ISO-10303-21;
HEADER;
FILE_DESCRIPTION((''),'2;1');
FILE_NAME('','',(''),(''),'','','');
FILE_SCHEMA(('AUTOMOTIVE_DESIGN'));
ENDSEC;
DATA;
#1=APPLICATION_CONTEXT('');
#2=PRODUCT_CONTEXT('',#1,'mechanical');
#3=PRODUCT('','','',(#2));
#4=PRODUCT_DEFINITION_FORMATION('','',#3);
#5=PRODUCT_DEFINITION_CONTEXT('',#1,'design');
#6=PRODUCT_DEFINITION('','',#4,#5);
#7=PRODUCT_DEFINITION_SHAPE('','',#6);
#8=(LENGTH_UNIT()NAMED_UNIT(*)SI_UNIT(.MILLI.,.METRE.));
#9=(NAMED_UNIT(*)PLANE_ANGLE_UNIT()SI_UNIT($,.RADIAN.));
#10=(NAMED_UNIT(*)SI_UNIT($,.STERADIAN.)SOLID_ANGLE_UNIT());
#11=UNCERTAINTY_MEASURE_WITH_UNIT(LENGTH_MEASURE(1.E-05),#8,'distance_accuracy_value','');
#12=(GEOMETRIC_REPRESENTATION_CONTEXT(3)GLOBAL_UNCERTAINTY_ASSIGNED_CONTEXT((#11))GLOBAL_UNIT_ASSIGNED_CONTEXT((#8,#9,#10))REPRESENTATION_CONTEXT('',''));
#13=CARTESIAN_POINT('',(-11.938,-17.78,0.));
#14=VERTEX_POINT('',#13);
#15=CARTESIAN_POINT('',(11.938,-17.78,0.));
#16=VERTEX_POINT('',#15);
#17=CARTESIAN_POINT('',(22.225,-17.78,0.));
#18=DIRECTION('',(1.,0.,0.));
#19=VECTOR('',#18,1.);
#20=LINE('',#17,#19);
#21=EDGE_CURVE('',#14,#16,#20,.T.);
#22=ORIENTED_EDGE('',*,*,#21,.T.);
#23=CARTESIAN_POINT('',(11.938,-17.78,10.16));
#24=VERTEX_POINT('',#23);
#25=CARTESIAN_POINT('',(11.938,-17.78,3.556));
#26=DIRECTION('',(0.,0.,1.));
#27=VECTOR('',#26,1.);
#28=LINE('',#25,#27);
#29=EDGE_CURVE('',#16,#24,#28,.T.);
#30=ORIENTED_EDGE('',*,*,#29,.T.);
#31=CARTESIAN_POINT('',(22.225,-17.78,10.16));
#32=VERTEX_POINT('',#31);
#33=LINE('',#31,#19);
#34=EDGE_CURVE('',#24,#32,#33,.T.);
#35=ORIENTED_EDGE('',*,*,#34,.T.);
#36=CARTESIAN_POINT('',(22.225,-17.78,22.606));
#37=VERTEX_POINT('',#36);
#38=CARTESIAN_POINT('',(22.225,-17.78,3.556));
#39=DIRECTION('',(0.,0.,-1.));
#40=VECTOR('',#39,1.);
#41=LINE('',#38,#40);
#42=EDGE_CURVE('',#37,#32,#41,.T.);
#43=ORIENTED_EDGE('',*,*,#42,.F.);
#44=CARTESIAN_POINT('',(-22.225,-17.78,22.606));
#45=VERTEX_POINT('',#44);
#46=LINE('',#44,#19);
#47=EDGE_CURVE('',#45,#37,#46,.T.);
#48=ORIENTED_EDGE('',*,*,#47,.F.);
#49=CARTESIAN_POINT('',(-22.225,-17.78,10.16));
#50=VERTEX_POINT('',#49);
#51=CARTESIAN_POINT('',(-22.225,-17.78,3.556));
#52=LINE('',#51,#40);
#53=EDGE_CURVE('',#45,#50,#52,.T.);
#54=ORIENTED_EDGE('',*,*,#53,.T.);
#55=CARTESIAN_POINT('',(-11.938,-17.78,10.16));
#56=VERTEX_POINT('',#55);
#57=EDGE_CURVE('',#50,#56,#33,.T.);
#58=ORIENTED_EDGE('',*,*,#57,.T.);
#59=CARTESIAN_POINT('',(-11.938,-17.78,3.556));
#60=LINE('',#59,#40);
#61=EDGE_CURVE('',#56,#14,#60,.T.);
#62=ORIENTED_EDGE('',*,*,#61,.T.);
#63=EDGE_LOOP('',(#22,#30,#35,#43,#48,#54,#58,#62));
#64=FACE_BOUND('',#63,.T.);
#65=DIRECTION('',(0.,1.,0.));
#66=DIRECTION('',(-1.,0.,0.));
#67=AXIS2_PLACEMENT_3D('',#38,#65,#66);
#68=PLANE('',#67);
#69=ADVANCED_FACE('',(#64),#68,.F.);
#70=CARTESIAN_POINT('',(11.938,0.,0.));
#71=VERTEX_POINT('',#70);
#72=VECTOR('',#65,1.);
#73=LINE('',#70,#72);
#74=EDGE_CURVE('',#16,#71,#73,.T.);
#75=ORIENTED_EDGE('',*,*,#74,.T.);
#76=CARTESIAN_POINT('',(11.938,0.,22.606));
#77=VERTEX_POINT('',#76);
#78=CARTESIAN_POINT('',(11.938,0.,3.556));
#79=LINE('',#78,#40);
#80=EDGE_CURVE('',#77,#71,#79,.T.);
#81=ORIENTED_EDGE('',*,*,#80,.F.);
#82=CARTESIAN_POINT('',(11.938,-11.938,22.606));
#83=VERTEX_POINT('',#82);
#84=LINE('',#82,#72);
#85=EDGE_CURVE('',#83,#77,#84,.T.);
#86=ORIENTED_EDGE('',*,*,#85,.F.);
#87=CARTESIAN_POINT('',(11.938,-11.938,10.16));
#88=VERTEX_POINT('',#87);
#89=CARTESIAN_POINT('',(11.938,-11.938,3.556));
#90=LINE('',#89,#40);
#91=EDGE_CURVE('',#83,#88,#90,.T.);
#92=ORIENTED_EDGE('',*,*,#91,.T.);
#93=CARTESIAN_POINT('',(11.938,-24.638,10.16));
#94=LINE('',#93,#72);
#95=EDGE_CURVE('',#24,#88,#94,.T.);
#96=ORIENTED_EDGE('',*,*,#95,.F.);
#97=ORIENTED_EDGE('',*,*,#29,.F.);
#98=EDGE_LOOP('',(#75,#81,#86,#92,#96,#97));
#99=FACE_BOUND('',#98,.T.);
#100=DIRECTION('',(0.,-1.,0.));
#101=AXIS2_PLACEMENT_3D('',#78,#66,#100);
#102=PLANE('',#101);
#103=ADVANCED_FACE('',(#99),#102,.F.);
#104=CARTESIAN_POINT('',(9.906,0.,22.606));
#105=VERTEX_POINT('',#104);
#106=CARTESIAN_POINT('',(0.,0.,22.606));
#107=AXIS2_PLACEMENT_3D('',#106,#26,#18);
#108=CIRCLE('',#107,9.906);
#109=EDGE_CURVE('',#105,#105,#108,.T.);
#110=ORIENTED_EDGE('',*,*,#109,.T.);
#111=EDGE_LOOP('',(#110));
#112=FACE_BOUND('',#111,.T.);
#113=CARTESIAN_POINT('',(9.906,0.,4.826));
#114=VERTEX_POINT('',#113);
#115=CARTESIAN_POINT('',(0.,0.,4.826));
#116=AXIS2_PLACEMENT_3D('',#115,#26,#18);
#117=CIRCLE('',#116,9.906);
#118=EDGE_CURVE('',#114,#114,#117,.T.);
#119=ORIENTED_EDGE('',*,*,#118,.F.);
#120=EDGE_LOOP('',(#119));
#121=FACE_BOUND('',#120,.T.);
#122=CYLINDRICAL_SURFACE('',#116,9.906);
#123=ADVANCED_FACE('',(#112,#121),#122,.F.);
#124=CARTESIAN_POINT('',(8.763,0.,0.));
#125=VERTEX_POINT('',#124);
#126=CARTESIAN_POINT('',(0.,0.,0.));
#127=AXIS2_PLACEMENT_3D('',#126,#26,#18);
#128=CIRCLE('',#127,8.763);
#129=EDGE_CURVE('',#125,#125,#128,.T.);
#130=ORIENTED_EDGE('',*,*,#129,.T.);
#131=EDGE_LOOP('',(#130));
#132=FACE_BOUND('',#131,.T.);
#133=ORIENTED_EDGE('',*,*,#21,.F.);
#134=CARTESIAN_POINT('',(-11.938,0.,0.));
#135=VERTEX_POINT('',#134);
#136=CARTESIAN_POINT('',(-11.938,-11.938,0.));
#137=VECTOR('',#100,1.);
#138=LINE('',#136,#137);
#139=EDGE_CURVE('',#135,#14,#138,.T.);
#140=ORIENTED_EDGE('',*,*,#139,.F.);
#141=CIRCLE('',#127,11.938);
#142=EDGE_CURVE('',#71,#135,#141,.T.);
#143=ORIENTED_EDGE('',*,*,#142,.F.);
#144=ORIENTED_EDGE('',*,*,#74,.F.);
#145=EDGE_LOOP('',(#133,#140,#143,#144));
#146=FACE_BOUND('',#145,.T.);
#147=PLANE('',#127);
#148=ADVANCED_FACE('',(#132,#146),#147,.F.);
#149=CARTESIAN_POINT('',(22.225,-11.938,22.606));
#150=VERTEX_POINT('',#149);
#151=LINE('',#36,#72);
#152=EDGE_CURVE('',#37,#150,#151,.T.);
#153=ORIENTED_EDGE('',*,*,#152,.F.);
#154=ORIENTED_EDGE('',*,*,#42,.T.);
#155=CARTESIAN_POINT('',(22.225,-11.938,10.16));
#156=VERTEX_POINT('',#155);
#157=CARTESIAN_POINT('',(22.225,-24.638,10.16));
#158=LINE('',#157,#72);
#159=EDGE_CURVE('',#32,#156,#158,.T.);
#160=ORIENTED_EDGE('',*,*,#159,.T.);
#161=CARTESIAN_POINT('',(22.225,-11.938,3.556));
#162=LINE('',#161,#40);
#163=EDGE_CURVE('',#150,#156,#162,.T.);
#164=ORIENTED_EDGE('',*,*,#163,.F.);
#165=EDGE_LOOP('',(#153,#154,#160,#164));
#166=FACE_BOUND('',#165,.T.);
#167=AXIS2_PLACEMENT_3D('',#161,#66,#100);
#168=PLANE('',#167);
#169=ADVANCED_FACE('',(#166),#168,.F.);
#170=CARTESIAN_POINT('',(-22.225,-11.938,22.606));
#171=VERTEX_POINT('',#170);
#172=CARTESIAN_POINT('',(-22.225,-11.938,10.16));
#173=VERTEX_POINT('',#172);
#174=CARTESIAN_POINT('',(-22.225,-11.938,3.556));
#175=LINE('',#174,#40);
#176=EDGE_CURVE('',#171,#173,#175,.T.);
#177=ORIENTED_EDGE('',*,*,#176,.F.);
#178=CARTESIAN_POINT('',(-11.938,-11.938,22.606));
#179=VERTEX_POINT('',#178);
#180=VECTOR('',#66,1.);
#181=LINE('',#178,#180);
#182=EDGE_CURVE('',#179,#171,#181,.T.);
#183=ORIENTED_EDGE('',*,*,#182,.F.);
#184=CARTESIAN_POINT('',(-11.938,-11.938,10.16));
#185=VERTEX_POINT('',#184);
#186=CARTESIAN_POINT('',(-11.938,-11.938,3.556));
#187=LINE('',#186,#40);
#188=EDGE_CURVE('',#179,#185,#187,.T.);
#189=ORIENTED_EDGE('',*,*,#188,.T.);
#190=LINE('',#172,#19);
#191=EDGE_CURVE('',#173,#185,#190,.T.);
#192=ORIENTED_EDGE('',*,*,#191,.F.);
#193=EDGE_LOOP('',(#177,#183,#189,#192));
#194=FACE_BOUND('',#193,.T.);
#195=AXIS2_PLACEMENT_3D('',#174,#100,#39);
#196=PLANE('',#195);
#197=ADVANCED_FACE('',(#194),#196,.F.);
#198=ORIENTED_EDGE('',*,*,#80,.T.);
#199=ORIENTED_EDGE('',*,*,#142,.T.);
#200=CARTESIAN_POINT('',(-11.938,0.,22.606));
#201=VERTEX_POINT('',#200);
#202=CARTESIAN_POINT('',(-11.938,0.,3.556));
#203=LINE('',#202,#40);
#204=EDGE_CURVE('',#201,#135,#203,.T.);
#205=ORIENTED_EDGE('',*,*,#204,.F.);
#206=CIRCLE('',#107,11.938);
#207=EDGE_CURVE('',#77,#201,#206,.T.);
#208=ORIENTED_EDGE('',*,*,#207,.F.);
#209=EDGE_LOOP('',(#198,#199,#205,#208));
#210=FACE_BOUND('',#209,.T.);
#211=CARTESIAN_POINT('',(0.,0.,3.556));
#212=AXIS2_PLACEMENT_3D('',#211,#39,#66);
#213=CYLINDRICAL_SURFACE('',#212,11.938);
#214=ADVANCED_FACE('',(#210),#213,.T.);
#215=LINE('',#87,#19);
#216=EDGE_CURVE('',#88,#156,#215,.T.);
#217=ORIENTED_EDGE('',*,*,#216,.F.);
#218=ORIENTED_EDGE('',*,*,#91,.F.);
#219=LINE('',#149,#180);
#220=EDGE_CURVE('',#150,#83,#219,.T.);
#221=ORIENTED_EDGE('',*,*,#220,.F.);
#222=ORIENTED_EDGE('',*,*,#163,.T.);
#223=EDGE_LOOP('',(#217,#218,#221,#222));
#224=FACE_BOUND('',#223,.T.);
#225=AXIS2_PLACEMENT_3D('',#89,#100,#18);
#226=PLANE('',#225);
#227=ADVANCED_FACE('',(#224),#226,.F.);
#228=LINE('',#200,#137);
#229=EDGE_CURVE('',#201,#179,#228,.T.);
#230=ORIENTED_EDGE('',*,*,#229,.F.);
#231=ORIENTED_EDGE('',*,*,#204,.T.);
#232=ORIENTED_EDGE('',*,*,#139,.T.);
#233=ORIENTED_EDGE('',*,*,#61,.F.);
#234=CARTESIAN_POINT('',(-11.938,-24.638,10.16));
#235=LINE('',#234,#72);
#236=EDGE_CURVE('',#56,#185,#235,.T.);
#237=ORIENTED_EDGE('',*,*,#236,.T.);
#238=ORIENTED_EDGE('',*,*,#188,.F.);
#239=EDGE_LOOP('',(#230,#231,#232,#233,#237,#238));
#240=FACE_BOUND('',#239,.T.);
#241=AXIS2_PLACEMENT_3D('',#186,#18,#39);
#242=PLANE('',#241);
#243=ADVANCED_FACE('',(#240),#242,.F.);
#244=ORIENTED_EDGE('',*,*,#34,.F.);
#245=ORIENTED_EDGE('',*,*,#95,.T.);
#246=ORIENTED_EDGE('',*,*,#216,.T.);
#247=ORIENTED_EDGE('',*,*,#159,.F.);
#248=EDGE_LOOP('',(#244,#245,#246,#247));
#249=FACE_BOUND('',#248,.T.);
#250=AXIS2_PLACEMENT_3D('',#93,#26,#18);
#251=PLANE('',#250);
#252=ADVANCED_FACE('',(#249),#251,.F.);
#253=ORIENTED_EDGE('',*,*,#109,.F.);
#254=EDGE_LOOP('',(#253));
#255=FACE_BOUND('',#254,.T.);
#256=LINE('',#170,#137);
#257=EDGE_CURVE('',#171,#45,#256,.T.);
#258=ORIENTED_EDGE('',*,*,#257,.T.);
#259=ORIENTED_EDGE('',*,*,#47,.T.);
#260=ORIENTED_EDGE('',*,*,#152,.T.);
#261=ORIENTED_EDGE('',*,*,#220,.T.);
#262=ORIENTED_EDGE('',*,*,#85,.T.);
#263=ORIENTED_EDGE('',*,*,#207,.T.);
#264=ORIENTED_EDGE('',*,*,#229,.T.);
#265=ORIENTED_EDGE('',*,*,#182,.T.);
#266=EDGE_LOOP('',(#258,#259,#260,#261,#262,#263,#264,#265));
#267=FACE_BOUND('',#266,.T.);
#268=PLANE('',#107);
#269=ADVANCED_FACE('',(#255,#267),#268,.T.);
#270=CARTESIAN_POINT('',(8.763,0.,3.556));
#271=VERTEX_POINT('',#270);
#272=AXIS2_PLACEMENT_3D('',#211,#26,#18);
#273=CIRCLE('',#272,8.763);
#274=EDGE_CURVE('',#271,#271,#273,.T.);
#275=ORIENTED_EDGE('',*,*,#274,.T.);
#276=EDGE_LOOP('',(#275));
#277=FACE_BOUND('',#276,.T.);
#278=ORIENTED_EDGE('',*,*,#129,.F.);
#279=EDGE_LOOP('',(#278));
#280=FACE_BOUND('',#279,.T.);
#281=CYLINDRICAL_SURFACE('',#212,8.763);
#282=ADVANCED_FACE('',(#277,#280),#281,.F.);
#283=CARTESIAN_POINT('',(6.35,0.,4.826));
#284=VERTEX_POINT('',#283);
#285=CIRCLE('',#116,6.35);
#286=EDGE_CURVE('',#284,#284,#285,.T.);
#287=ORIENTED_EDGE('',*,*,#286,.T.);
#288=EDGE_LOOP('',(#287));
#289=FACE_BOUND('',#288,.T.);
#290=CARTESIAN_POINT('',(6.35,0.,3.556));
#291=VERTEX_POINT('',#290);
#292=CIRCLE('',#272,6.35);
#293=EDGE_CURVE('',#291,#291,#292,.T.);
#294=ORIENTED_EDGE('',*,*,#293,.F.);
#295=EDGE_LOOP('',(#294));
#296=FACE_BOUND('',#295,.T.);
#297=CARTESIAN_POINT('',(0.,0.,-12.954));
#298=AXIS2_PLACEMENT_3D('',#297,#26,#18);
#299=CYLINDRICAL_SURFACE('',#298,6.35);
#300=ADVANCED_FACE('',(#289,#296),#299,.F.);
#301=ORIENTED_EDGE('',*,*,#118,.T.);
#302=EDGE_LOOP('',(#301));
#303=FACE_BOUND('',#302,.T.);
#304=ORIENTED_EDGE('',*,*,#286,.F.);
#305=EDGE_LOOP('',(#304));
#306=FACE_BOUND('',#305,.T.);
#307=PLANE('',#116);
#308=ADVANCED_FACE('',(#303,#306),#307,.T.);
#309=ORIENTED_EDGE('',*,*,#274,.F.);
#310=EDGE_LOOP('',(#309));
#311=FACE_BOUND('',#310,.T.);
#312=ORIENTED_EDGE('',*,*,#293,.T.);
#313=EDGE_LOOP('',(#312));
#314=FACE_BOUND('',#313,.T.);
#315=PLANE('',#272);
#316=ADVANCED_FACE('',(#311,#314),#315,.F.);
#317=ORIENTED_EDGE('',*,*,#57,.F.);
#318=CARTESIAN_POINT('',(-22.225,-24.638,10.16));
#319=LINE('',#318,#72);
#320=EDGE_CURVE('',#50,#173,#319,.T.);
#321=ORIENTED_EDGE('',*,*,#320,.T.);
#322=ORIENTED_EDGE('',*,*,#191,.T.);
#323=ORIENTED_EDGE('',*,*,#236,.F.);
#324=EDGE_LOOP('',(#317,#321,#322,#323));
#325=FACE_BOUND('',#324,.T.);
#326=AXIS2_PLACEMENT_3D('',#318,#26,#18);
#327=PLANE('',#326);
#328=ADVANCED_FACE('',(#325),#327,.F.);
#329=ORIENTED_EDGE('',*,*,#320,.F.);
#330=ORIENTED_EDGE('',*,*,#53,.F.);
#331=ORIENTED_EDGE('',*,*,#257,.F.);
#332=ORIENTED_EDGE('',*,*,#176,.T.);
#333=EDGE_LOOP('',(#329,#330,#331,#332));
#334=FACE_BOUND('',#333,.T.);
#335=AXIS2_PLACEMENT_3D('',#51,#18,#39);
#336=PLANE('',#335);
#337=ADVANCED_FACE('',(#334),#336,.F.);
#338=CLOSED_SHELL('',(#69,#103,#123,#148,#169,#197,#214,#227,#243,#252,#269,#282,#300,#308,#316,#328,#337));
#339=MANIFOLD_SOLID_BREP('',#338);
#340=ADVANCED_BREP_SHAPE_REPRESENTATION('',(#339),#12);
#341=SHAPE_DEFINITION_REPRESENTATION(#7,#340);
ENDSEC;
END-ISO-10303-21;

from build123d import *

# Parameters (mm, degrees)
SKETCH1_R           = 8.763
BOSS_EXTRUDE1_DEPTH = 3.556
BOSS_EXTRUDE2_DEPTH = 19.05
SKETCH3_R           = 9.906
CUT_EXTRUDE1_DEPTH  = 17.78
SKETCH4_R           = 6.35
CUT_EXTRUDE2_DEPTH  = 17.78
SKETCH5_W           = 10.287
SKETCH5_H           = 10.16
CUT_EXTRUDE3_DEPTH  = 12.7


with BuildPart() as part:
    # Sketch1 → Boss-Extrude1 (new body)
    with BuildSketch(Plane.XY):
        with BuildLine():
            Line((11.938, 0), (11.938, -11.938))
            Line((11.938, -11.938), (22.225, -11.938))
            Line((22.225, -11.938), (22.225, -17.78))
            Line((22.225, -17.78), (-22.225, -17.78))
            Line((-22.225, -17.78), (-22.225, -11.938))
            Line((-22.225, -11.938), (-11.938, -11.938))
            Line((-11.938, -11.938), (-11.938, 0))
            ThreePointArc((-11.938, 0), (0, 11.938), (11.938, 0))
        make_face()
        Circle(SKETCH1_R, mode=Mode.SUBTRACT)
    extrude(amount=BOSS_EXTRUDE1_DEPTH)

    # Sketch2 → Boss-Extrude2 (add)
    with BuildSketch(Plane.XY.offset(3.556)):
        with BuildLine():
            Line((-11.938, 0), (-11.938, -11.938))
            Line((-11.938, -11.938), (-22.225, -11.938))
            Line((-22.225, -11.938), (-22.225, -17.78))
            Line((-22.225, -17.78), (22.225, -17.78))
            Line((22.225, -17.78), (22.225, -11.938))
            Line((22.225, -11.938), (11.938, -11.938))
            Line((11.938, -11.938), (11.938, 0))
            ThreePointArc((11.938, 0), (0, 11.938), (-11.938, 0))
        make_face()
    extrude(amount=BOSS_EXTRUDE2_DEPTH)

    # Sketch3 → Cut-Extrude1 (cut)
    with BuildSketch(Plane.XY.offset(22.606)):
        Circle(SKETCH3_R)
    extrude(amount=-CUT_EXTRUDE1_DEPTH, mode=Mode.SUBTRACT)

    # Sketch4 → Cut-Extrude2 (cut)
    with BuildSketch(Plane.XY.offset(4.826)):
        Circle(SKETCH4_R)
    extrude(amount=-CUT_EXTRUDE2_DEPTH, mode=Mode.SUBTRACT)

    # Sketch5 → Cut-Extrude3 (cut)
    with BuildSketch(Plane(origin=(0, -11.938, 0), x_dir=(1, 0, 0), z_dir=(0, 1, 0))):
        with Locations((17.0815, -5.08)):
            Rectangle(SKETCH5_W, SKETCH5_H)
        with Locations((-17.0815, -5.08)):
            Rectangle(SKETCH5_W, SKETCH5_H)
    extrude(amount=-CUT_EXTRUDE3_DEPTH, mode=Mode.SUBTRACT)


solid = part.part
